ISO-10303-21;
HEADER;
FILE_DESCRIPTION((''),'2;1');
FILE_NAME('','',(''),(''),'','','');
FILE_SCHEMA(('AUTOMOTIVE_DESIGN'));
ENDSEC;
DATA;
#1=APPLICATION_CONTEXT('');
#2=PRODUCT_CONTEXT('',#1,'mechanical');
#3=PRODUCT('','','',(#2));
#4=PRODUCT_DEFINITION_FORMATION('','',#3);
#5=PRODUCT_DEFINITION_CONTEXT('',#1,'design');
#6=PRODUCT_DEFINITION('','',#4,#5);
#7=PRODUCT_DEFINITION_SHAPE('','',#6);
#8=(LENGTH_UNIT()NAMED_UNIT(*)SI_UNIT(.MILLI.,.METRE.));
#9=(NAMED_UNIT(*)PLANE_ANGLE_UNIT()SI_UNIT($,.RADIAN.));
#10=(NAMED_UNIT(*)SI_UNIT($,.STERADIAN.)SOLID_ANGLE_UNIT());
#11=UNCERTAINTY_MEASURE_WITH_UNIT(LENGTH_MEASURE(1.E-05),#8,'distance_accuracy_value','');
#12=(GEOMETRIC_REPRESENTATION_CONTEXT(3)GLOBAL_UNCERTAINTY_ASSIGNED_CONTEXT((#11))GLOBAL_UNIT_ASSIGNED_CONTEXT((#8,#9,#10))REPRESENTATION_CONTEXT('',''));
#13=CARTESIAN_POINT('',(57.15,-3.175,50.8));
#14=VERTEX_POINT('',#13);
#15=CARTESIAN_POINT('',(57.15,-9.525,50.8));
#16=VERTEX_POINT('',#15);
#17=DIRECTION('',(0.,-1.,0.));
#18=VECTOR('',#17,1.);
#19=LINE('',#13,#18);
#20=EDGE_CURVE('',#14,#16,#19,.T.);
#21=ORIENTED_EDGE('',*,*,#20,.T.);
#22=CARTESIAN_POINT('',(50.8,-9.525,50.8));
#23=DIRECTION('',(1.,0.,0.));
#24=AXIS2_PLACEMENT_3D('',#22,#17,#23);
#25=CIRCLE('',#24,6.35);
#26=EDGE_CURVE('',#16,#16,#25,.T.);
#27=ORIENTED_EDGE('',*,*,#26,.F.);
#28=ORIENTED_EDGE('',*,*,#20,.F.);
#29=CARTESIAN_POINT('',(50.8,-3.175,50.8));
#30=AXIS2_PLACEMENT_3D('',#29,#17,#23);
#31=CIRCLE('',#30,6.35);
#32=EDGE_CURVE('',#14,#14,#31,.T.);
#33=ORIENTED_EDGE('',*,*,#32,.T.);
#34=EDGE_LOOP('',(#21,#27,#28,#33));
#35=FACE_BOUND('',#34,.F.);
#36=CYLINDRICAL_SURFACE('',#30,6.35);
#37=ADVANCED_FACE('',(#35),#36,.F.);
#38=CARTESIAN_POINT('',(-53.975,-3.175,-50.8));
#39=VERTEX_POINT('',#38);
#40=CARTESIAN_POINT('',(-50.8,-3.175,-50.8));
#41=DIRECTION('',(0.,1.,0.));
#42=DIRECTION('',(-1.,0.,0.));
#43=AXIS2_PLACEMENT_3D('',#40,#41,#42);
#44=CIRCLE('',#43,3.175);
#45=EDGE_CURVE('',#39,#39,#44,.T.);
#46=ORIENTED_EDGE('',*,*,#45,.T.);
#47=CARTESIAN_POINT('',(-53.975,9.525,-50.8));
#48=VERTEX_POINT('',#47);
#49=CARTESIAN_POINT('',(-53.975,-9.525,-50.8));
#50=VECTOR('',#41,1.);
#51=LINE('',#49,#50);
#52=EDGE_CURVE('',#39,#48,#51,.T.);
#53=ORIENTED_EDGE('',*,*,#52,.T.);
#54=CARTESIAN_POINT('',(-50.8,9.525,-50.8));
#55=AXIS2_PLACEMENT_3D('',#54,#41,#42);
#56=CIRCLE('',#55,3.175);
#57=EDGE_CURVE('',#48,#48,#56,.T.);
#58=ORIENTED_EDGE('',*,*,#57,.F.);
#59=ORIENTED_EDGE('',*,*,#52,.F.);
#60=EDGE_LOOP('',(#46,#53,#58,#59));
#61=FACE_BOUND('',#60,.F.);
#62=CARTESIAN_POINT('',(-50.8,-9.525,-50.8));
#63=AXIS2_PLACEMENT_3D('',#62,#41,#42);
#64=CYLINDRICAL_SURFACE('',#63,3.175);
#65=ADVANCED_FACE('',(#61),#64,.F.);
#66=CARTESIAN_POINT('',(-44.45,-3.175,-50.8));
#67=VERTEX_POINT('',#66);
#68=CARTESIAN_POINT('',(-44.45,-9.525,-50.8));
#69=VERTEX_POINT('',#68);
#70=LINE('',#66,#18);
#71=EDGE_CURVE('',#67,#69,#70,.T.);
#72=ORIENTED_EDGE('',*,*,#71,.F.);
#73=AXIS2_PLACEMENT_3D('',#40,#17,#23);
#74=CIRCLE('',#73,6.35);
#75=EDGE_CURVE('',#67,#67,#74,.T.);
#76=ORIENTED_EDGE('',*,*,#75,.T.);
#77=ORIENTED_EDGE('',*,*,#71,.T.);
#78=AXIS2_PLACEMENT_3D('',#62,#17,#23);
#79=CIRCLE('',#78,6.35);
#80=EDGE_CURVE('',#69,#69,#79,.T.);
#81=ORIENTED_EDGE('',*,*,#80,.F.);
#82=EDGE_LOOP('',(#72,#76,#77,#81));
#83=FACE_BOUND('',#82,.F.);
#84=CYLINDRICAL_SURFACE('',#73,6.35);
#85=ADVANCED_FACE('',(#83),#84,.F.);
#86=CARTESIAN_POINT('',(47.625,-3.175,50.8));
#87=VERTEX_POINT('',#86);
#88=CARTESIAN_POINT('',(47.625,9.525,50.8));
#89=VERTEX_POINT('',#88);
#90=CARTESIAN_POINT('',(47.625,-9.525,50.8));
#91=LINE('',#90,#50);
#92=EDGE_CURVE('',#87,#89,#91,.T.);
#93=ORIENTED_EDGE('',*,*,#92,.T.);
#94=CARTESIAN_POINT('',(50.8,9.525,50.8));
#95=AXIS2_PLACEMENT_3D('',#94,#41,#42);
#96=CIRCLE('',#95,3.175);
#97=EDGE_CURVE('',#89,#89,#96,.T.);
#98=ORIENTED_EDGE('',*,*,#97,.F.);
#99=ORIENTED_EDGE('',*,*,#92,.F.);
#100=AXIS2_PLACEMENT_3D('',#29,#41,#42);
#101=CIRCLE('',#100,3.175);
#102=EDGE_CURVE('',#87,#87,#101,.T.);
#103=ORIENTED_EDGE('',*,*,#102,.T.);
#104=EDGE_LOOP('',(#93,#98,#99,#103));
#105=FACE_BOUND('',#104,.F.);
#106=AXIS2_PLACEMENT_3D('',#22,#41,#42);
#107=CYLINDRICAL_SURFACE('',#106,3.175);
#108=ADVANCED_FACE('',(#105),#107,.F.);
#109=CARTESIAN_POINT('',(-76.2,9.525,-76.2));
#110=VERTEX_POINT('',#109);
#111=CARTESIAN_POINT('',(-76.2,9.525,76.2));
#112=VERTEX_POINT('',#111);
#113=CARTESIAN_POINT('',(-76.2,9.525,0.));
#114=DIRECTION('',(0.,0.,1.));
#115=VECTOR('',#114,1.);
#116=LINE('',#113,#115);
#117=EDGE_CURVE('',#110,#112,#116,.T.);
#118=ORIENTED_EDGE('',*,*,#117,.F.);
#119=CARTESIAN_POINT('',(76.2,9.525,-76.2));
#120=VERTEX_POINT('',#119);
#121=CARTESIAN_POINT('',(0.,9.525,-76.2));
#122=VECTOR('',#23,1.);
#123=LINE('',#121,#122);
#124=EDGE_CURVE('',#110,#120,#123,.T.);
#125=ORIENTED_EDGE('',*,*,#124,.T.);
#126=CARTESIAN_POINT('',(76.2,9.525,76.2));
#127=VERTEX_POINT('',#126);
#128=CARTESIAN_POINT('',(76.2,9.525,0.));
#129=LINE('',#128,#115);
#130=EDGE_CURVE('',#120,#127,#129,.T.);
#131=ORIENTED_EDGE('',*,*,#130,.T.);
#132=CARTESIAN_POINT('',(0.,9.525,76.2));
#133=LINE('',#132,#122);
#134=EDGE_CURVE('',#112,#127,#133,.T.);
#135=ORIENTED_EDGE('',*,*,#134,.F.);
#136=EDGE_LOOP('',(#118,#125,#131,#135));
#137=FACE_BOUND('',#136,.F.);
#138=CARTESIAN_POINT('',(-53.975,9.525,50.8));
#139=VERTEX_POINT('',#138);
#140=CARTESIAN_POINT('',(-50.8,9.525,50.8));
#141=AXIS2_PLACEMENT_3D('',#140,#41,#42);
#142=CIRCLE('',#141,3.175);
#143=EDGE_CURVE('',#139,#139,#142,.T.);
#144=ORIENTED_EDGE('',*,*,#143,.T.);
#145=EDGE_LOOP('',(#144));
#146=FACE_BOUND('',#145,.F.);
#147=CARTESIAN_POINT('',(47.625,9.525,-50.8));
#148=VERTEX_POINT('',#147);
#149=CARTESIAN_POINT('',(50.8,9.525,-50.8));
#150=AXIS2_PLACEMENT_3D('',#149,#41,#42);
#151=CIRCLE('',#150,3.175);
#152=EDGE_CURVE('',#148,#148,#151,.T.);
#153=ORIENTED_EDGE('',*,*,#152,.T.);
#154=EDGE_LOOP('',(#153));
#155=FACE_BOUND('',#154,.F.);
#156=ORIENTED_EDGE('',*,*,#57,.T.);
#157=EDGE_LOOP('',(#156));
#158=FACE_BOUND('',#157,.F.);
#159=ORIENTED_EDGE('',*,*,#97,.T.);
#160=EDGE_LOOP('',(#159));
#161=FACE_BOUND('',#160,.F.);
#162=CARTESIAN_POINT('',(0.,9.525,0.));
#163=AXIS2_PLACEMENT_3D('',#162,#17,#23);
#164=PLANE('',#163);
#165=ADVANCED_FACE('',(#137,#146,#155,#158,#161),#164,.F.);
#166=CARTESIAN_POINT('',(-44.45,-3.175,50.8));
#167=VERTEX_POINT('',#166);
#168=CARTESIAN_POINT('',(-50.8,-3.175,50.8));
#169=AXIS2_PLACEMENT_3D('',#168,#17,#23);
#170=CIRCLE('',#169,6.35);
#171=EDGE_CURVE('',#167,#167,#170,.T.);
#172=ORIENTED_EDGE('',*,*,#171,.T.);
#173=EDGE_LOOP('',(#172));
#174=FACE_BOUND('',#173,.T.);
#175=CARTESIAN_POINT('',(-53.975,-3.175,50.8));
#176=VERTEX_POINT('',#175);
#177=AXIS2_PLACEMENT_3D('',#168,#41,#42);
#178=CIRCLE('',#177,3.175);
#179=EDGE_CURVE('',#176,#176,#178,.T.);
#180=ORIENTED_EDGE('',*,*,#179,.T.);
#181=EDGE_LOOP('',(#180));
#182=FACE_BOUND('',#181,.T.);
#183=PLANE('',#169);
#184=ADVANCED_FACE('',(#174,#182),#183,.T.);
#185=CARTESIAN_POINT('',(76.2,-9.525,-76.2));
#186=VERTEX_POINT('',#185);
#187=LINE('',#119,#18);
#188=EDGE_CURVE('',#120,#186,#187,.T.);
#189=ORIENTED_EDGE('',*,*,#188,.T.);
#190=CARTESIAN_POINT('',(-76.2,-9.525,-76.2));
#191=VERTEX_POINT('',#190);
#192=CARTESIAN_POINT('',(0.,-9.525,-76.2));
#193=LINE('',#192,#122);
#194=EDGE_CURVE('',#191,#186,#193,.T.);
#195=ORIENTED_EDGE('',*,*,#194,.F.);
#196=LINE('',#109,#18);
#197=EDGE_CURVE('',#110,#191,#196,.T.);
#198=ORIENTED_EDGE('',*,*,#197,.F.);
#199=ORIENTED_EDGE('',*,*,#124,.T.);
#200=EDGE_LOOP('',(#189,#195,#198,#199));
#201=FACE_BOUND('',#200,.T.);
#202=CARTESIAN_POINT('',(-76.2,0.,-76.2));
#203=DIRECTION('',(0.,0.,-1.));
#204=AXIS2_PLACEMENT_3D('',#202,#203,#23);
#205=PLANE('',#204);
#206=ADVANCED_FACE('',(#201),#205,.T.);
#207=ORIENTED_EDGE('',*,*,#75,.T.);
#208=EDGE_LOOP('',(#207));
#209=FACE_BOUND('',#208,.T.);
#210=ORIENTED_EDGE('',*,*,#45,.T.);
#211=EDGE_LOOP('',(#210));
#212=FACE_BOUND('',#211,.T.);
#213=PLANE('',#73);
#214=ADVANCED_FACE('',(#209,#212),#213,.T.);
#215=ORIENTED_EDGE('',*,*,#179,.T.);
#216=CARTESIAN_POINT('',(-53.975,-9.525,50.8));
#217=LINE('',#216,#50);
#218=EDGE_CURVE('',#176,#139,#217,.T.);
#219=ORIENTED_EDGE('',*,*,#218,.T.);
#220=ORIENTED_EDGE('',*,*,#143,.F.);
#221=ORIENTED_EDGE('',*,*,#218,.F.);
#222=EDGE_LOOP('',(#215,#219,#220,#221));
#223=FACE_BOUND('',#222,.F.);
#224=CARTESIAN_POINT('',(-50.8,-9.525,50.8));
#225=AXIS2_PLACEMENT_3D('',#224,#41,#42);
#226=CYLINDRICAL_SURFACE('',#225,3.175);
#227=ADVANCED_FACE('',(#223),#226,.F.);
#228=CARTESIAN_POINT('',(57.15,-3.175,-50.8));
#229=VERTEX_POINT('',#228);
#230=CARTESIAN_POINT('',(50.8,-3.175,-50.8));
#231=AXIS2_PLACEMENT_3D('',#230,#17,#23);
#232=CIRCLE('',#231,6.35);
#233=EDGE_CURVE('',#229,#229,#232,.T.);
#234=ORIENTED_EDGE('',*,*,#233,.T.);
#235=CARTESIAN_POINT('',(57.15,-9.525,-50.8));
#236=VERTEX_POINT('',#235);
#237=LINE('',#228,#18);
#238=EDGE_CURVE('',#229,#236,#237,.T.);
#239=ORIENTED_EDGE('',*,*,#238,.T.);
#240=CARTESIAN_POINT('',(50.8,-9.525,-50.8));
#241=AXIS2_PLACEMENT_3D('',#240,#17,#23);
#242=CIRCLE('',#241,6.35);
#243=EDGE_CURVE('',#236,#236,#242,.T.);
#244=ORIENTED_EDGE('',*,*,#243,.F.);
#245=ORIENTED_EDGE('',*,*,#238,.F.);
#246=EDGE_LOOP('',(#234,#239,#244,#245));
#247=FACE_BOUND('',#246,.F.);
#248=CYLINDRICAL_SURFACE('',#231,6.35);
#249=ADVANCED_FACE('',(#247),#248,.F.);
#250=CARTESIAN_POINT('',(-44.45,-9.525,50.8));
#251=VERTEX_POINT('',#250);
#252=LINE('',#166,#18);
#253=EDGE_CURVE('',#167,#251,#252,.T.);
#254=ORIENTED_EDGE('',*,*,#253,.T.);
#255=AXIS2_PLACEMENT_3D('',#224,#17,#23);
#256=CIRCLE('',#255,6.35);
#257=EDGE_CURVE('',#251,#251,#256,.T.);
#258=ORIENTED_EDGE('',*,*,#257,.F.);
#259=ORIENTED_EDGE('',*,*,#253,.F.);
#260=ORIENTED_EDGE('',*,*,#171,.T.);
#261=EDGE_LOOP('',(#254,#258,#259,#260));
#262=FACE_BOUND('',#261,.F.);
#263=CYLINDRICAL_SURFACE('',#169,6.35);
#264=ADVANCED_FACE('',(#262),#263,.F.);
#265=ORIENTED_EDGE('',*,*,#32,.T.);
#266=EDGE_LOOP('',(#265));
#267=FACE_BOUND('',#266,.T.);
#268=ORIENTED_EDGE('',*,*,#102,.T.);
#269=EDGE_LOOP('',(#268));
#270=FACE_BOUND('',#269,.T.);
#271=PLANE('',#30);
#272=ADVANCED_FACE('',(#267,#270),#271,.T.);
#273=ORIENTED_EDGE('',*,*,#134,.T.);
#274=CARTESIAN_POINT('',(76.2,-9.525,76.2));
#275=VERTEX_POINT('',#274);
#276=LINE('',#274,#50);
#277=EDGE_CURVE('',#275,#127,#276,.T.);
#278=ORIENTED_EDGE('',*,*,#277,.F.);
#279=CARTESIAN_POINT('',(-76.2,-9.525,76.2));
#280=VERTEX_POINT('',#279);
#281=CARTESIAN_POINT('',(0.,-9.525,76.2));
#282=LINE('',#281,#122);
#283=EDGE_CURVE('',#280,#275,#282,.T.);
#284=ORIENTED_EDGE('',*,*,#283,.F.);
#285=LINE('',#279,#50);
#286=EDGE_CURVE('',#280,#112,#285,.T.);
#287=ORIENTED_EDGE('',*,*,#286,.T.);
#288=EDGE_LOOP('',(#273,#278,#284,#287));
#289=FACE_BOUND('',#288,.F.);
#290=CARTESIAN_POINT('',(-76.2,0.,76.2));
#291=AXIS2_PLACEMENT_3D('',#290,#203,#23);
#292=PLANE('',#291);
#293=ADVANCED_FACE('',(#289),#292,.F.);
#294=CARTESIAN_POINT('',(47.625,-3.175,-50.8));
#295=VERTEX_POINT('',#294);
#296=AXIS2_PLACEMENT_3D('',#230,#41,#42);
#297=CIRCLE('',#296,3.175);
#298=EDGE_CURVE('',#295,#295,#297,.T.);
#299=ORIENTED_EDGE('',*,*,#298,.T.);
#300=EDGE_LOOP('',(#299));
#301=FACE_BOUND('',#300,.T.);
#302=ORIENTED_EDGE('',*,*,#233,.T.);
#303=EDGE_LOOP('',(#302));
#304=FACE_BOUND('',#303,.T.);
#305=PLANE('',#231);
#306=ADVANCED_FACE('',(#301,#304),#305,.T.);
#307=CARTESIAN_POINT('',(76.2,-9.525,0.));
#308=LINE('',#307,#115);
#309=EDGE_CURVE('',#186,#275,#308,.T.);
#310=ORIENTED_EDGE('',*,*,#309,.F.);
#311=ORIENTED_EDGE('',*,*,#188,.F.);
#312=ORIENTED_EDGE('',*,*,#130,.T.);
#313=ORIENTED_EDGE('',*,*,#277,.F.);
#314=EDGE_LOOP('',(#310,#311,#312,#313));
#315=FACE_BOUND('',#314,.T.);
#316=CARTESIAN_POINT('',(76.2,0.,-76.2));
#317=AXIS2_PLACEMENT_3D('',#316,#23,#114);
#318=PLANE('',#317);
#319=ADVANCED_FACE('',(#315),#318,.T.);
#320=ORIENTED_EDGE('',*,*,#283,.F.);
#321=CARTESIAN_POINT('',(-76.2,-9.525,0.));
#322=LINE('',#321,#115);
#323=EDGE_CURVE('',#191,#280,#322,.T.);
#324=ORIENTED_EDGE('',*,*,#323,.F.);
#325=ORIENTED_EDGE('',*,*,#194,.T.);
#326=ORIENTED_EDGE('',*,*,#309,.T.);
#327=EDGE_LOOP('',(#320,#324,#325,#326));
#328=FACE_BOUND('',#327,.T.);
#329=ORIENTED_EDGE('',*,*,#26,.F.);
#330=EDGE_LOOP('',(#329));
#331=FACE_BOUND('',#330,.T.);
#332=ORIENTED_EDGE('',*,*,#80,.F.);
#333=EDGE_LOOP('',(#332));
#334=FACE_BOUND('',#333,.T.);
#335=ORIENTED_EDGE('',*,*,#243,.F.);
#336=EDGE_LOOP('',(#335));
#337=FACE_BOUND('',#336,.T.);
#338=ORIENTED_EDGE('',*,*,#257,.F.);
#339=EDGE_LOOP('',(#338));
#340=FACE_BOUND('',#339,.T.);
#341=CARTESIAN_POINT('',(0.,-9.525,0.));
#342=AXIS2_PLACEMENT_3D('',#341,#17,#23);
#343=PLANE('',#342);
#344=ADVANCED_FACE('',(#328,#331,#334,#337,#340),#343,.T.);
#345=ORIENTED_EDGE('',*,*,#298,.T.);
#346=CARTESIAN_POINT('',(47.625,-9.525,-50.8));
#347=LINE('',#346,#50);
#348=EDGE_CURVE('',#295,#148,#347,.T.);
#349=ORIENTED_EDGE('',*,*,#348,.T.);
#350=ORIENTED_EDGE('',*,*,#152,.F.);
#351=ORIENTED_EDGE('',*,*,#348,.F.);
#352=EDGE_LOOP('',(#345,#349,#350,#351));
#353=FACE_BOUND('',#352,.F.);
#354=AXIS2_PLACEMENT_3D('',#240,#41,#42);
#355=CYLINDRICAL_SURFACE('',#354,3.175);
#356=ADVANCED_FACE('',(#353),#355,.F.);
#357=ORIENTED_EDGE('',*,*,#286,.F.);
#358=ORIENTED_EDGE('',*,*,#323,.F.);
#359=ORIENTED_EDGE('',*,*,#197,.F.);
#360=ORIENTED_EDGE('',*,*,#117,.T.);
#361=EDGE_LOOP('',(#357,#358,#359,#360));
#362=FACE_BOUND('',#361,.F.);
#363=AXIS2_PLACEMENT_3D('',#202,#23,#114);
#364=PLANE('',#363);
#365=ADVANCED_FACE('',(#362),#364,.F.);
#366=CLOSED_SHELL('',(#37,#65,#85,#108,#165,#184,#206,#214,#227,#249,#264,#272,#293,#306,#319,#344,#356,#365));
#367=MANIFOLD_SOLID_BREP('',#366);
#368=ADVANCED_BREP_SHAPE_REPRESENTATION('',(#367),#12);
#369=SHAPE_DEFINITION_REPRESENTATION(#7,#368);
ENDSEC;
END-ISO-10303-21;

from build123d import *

# Parameters (mm, degrees)
F0_W           = 152.4
F0_H           = 152.4
F1_DEPTH       = 9.525
F3_D           = 6.35
F3_CBORE_D     = 12.7
F3_CBORE_DEPTH = 6.35


with BuildPart() as f1:
    # F0 (on Front) → F1 (new body, symmetric)
    with BuildSketch(Plane.XZ):
        Rectangle(F0_W, F0_H)
    extrude(amount=F1_DEPTH, both=True)

    # F3 (through all)
    with Locations(Plane.XZ.offset(9.525)):
        with Locations((-50.8, 50.8), (50.8, 50.8), (50.8, -50.8), (-50.8, -50.8)):
            CounterBoreHole(F3_D / 2, F3_CBORE_D / 2, F3_CBORE_DEPTH)


solid = f1.part
